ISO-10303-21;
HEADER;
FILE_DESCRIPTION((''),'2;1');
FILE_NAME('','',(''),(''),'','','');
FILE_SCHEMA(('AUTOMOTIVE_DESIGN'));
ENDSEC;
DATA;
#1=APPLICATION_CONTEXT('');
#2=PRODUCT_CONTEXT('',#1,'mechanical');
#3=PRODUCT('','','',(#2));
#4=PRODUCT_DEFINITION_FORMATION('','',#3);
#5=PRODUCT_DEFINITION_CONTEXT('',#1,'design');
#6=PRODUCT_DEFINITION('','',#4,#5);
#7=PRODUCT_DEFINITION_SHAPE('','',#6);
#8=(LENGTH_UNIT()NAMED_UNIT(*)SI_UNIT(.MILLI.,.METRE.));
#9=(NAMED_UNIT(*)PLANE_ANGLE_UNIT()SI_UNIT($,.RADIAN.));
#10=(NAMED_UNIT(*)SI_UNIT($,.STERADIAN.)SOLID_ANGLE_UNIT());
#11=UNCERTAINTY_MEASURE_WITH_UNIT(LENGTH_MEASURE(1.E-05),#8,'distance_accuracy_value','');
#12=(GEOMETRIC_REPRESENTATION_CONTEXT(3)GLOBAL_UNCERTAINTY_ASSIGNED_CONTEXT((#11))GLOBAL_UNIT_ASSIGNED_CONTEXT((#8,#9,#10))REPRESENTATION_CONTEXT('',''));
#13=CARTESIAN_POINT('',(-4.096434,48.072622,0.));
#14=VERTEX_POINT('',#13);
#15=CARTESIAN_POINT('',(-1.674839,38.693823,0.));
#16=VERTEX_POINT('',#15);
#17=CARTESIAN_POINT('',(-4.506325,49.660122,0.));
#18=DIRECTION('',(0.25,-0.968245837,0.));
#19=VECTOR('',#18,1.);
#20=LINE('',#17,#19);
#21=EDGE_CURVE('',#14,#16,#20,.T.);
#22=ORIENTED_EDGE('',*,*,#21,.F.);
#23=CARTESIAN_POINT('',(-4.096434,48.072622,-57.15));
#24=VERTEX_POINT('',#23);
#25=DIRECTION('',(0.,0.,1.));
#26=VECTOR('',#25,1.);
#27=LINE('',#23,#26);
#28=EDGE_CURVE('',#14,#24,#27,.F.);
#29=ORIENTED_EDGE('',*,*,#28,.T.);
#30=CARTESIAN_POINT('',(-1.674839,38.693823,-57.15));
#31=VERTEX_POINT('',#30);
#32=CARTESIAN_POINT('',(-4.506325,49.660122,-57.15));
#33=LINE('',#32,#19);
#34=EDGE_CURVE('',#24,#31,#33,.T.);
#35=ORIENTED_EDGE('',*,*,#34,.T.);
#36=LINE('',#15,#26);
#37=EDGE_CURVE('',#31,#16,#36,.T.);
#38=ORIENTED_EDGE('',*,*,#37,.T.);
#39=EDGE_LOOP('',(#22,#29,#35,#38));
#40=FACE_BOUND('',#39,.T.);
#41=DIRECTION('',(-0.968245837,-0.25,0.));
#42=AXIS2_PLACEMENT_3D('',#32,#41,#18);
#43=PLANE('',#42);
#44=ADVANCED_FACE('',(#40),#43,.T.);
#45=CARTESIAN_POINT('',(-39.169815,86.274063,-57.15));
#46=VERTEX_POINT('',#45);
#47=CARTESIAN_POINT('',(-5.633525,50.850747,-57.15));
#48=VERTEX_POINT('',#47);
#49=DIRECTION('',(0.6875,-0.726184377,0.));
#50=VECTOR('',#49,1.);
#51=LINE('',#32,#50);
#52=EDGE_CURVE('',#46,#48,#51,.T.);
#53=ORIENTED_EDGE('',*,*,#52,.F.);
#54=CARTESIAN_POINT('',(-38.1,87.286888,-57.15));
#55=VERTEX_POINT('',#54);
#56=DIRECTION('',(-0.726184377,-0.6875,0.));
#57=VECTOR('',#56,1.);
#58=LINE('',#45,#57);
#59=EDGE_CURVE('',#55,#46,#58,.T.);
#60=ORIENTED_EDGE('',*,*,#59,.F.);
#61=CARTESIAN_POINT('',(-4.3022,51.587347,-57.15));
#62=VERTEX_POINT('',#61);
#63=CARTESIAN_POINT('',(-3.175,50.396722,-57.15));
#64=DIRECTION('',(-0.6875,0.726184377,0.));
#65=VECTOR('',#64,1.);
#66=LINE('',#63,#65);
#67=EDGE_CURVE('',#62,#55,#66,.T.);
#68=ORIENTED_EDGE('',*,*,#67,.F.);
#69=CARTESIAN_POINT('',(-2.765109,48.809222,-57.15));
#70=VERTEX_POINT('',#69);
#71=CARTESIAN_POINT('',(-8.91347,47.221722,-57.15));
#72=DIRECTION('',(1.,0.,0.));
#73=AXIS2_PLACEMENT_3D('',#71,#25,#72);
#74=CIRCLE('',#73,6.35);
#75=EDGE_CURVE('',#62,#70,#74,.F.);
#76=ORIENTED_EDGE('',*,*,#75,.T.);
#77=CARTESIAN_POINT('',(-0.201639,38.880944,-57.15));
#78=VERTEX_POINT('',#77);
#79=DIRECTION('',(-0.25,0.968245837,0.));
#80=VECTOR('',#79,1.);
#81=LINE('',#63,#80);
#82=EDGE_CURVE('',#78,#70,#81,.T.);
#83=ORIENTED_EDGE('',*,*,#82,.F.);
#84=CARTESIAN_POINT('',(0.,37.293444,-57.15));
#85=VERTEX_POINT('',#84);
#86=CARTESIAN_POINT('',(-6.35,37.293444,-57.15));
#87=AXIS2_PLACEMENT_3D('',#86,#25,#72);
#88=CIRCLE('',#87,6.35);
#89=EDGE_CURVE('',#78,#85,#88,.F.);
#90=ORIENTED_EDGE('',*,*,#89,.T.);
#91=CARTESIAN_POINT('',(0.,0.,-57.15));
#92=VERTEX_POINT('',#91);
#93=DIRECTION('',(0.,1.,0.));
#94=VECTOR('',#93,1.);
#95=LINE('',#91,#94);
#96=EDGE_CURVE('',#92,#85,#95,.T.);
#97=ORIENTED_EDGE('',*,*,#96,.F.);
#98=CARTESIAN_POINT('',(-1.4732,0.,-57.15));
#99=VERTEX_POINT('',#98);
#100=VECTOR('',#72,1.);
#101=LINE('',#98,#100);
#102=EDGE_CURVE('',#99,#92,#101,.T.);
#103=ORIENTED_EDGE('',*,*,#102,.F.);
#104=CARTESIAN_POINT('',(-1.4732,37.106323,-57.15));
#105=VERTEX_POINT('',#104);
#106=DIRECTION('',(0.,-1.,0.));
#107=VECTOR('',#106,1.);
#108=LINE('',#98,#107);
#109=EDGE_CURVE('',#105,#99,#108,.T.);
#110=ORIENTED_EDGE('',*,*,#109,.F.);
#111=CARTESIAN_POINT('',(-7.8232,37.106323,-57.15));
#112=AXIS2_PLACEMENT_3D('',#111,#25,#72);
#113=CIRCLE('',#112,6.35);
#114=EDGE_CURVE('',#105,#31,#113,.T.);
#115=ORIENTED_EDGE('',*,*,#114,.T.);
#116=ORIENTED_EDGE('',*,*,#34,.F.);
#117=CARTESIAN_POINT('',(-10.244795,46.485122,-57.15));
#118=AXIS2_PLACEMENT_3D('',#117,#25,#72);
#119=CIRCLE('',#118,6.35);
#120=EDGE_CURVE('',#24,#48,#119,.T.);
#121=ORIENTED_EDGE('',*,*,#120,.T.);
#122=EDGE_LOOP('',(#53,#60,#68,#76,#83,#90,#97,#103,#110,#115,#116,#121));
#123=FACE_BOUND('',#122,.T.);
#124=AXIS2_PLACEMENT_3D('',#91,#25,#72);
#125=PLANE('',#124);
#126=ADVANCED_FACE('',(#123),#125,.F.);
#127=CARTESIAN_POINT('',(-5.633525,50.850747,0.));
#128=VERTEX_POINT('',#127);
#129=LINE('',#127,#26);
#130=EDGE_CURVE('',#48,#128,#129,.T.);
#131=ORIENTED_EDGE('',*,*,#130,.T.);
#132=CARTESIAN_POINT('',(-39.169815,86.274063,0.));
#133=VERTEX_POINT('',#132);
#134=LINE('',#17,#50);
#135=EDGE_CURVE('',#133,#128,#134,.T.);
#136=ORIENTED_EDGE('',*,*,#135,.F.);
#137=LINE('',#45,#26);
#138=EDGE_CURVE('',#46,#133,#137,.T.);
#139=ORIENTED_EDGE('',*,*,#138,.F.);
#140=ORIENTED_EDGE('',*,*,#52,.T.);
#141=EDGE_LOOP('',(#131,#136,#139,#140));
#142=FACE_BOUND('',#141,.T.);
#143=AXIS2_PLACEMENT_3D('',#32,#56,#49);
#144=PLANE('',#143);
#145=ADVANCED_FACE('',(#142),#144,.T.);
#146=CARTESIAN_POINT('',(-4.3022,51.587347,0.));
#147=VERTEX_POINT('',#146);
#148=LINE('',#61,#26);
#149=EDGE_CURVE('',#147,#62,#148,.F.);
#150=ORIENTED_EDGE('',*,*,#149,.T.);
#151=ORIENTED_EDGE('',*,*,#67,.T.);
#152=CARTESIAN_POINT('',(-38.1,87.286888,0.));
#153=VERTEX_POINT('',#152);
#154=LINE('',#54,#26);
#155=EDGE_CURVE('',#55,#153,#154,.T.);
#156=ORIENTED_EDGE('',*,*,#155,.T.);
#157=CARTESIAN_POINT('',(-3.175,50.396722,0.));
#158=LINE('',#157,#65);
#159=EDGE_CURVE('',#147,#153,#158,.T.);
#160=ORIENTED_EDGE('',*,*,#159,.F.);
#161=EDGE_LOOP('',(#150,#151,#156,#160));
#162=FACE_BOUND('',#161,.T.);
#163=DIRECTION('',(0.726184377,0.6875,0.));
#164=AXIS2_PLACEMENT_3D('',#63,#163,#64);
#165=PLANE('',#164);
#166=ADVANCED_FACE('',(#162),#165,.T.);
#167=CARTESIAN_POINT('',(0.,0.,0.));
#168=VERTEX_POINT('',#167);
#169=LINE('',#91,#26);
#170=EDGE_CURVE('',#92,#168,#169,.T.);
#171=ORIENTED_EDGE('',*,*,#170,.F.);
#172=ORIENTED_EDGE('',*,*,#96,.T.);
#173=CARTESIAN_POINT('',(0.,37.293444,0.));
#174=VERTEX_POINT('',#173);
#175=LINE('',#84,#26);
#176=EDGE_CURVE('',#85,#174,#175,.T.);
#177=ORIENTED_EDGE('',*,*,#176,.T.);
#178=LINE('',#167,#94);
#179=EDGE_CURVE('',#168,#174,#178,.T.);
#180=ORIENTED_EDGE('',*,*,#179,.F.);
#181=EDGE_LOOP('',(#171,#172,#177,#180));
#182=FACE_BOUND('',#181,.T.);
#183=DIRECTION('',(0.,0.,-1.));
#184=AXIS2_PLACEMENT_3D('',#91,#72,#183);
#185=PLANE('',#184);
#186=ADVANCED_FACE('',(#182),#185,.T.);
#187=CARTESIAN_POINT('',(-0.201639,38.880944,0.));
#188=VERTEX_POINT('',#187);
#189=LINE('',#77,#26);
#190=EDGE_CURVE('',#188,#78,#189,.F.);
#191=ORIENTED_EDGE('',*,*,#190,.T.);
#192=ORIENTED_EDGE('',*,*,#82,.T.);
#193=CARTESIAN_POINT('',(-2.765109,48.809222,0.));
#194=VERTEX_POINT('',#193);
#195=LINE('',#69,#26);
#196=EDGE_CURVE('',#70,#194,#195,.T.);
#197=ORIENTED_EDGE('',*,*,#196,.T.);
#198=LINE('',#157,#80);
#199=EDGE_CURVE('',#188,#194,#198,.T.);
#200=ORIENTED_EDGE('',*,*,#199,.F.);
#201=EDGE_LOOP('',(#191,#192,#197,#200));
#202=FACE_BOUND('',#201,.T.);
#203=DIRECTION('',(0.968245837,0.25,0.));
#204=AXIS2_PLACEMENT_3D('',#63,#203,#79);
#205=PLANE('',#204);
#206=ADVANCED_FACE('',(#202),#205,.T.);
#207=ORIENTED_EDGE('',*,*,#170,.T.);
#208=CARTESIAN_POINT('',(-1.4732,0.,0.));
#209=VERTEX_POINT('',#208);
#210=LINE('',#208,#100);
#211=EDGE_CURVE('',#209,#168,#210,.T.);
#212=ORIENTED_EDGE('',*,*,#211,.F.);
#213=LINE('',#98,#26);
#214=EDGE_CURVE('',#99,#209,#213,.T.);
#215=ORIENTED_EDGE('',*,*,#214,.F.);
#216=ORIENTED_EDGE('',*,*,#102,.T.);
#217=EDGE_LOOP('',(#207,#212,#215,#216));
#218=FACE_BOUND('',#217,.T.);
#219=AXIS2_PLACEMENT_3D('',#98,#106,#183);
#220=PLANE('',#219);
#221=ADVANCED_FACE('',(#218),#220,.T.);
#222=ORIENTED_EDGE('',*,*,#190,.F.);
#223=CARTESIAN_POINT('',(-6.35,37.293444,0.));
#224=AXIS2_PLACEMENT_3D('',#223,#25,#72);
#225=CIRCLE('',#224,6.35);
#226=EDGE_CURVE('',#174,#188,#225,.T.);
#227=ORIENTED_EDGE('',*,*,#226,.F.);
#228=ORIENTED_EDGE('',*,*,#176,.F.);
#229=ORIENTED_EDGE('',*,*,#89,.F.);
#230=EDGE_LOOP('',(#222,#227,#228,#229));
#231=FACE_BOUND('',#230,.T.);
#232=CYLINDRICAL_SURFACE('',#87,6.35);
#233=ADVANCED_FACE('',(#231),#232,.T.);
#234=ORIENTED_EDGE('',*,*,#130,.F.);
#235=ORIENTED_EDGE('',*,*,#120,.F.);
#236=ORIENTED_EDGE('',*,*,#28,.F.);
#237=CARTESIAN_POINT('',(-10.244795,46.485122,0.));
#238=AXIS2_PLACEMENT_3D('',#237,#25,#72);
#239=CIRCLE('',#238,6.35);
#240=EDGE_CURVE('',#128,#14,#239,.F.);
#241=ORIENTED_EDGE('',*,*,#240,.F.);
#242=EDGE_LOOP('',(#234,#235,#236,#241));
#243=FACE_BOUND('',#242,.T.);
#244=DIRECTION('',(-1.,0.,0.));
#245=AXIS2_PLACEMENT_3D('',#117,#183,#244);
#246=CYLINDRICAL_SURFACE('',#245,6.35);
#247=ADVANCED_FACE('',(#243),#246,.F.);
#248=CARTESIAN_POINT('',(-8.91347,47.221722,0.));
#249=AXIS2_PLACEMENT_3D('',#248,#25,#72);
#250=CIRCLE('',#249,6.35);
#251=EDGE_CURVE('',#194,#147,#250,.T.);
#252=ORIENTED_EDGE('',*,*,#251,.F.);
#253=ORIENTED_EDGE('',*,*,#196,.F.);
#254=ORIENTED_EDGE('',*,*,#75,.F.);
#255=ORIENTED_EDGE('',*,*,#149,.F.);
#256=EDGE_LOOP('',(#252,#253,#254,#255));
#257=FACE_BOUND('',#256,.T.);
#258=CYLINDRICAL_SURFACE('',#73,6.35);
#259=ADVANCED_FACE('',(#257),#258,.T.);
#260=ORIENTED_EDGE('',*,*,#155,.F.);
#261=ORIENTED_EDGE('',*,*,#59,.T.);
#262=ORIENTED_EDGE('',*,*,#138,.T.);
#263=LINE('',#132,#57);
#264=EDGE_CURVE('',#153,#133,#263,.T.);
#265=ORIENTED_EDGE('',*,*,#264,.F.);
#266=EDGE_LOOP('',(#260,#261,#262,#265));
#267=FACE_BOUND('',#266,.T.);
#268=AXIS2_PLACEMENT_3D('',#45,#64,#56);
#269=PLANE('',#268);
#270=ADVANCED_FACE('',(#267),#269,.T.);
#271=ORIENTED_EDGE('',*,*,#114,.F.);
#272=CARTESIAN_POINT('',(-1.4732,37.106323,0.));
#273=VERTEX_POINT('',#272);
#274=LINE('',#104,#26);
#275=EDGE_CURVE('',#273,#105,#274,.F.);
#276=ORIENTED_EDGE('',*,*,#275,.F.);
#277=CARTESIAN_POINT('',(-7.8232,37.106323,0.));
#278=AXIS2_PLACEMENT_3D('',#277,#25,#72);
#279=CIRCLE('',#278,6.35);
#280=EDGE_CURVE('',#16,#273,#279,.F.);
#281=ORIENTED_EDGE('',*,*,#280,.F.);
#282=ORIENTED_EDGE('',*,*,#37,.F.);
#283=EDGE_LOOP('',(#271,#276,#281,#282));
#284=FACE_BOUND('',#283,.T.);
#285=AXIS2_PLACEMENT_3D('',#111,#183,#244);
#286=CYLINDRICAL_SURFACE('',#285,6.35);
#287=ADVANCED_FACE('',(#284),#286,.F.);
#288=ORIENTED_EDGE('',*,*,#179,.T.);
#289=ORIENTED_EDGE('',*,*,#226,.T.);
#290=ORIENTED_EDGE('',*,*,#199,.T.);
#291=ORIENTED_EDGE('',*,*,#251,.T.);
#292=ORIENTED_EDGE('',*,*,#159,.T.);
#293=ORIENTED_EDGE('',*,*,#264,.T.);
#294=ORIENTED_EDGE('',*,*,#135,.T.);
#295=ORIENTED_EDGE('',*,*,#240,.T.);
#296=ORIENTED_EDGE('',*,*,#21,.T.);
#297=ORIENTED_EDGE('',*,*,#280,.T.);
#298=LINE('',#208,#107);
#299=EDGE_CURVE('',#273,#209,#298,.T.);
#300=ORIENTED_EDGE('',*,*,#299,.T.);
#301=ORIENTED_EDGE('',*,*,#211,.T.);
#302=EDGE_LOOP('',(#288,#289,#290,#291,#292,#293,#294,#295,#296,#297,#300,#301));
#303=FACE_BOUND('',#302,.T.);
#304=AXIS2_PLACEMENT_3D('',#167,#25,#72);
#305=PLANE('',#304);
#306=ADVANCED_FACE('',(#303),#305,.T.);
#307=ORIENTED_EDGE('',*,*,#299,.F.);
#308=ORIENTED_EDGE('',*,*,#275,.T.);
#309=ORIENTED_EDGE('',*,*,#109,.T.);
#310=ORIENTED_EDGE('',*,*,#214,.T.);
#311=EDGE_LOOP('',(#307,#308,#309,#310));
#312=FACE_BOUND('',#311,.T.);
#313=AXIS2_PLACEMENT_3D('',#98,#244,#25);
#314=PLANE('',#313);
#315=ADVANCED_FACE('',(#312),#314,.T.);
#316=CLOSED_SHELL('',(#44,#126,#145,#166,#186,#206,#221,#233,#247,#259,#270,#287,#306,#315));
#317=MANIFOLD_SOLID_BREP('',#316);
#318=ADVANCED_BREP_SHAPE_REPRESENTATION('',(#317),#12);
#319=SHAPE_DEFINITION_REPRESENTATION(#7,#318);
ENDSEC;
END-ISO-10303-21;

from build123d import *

# Parameters (mm, degrees)
BOSS_EXTRUDE1_DEPTH = 57.15
FILLET1_R           = 6.35
FILLET2_R           = 6.35


with BuildPart() as part:
    # Sketch2 → Boss-Extrude1 (new body)
    with BuildSketch(Plane.XY):
        Polygon((0, 0), (0, 38.1), (-3.175, 50.396722124), (-38.1, 87.286888497), (-39.169814825, 86.274063497), (-4.506325115, 49.660122124), (-1.4732, 37.912879066), (-1.4732, 0), align=None)
    extrude(amount=-BOSS_EXTRUDE1_DEPTH)

    # Fillet1
    fillet1_edges = [part.edges().sort_by_distance(p)[0] for p in [
        (-3.175, 50.396722124, -28.575),
        (0, 38.1, -28.575),
    ]]
    fillet(fillet1_edges, radius=FILLET1_R)

    # Fillet2
    fillet2_edges = [part.edges().sort_by_distance(p)[0] for p in [
        (-1.4732, 37.912879066, -28.575),
        (-4.506325115, 49.660122124, -28.575),
    ]]
    fillet(fillet2_edges, radius=FILLET2_R)


solid = part.part
